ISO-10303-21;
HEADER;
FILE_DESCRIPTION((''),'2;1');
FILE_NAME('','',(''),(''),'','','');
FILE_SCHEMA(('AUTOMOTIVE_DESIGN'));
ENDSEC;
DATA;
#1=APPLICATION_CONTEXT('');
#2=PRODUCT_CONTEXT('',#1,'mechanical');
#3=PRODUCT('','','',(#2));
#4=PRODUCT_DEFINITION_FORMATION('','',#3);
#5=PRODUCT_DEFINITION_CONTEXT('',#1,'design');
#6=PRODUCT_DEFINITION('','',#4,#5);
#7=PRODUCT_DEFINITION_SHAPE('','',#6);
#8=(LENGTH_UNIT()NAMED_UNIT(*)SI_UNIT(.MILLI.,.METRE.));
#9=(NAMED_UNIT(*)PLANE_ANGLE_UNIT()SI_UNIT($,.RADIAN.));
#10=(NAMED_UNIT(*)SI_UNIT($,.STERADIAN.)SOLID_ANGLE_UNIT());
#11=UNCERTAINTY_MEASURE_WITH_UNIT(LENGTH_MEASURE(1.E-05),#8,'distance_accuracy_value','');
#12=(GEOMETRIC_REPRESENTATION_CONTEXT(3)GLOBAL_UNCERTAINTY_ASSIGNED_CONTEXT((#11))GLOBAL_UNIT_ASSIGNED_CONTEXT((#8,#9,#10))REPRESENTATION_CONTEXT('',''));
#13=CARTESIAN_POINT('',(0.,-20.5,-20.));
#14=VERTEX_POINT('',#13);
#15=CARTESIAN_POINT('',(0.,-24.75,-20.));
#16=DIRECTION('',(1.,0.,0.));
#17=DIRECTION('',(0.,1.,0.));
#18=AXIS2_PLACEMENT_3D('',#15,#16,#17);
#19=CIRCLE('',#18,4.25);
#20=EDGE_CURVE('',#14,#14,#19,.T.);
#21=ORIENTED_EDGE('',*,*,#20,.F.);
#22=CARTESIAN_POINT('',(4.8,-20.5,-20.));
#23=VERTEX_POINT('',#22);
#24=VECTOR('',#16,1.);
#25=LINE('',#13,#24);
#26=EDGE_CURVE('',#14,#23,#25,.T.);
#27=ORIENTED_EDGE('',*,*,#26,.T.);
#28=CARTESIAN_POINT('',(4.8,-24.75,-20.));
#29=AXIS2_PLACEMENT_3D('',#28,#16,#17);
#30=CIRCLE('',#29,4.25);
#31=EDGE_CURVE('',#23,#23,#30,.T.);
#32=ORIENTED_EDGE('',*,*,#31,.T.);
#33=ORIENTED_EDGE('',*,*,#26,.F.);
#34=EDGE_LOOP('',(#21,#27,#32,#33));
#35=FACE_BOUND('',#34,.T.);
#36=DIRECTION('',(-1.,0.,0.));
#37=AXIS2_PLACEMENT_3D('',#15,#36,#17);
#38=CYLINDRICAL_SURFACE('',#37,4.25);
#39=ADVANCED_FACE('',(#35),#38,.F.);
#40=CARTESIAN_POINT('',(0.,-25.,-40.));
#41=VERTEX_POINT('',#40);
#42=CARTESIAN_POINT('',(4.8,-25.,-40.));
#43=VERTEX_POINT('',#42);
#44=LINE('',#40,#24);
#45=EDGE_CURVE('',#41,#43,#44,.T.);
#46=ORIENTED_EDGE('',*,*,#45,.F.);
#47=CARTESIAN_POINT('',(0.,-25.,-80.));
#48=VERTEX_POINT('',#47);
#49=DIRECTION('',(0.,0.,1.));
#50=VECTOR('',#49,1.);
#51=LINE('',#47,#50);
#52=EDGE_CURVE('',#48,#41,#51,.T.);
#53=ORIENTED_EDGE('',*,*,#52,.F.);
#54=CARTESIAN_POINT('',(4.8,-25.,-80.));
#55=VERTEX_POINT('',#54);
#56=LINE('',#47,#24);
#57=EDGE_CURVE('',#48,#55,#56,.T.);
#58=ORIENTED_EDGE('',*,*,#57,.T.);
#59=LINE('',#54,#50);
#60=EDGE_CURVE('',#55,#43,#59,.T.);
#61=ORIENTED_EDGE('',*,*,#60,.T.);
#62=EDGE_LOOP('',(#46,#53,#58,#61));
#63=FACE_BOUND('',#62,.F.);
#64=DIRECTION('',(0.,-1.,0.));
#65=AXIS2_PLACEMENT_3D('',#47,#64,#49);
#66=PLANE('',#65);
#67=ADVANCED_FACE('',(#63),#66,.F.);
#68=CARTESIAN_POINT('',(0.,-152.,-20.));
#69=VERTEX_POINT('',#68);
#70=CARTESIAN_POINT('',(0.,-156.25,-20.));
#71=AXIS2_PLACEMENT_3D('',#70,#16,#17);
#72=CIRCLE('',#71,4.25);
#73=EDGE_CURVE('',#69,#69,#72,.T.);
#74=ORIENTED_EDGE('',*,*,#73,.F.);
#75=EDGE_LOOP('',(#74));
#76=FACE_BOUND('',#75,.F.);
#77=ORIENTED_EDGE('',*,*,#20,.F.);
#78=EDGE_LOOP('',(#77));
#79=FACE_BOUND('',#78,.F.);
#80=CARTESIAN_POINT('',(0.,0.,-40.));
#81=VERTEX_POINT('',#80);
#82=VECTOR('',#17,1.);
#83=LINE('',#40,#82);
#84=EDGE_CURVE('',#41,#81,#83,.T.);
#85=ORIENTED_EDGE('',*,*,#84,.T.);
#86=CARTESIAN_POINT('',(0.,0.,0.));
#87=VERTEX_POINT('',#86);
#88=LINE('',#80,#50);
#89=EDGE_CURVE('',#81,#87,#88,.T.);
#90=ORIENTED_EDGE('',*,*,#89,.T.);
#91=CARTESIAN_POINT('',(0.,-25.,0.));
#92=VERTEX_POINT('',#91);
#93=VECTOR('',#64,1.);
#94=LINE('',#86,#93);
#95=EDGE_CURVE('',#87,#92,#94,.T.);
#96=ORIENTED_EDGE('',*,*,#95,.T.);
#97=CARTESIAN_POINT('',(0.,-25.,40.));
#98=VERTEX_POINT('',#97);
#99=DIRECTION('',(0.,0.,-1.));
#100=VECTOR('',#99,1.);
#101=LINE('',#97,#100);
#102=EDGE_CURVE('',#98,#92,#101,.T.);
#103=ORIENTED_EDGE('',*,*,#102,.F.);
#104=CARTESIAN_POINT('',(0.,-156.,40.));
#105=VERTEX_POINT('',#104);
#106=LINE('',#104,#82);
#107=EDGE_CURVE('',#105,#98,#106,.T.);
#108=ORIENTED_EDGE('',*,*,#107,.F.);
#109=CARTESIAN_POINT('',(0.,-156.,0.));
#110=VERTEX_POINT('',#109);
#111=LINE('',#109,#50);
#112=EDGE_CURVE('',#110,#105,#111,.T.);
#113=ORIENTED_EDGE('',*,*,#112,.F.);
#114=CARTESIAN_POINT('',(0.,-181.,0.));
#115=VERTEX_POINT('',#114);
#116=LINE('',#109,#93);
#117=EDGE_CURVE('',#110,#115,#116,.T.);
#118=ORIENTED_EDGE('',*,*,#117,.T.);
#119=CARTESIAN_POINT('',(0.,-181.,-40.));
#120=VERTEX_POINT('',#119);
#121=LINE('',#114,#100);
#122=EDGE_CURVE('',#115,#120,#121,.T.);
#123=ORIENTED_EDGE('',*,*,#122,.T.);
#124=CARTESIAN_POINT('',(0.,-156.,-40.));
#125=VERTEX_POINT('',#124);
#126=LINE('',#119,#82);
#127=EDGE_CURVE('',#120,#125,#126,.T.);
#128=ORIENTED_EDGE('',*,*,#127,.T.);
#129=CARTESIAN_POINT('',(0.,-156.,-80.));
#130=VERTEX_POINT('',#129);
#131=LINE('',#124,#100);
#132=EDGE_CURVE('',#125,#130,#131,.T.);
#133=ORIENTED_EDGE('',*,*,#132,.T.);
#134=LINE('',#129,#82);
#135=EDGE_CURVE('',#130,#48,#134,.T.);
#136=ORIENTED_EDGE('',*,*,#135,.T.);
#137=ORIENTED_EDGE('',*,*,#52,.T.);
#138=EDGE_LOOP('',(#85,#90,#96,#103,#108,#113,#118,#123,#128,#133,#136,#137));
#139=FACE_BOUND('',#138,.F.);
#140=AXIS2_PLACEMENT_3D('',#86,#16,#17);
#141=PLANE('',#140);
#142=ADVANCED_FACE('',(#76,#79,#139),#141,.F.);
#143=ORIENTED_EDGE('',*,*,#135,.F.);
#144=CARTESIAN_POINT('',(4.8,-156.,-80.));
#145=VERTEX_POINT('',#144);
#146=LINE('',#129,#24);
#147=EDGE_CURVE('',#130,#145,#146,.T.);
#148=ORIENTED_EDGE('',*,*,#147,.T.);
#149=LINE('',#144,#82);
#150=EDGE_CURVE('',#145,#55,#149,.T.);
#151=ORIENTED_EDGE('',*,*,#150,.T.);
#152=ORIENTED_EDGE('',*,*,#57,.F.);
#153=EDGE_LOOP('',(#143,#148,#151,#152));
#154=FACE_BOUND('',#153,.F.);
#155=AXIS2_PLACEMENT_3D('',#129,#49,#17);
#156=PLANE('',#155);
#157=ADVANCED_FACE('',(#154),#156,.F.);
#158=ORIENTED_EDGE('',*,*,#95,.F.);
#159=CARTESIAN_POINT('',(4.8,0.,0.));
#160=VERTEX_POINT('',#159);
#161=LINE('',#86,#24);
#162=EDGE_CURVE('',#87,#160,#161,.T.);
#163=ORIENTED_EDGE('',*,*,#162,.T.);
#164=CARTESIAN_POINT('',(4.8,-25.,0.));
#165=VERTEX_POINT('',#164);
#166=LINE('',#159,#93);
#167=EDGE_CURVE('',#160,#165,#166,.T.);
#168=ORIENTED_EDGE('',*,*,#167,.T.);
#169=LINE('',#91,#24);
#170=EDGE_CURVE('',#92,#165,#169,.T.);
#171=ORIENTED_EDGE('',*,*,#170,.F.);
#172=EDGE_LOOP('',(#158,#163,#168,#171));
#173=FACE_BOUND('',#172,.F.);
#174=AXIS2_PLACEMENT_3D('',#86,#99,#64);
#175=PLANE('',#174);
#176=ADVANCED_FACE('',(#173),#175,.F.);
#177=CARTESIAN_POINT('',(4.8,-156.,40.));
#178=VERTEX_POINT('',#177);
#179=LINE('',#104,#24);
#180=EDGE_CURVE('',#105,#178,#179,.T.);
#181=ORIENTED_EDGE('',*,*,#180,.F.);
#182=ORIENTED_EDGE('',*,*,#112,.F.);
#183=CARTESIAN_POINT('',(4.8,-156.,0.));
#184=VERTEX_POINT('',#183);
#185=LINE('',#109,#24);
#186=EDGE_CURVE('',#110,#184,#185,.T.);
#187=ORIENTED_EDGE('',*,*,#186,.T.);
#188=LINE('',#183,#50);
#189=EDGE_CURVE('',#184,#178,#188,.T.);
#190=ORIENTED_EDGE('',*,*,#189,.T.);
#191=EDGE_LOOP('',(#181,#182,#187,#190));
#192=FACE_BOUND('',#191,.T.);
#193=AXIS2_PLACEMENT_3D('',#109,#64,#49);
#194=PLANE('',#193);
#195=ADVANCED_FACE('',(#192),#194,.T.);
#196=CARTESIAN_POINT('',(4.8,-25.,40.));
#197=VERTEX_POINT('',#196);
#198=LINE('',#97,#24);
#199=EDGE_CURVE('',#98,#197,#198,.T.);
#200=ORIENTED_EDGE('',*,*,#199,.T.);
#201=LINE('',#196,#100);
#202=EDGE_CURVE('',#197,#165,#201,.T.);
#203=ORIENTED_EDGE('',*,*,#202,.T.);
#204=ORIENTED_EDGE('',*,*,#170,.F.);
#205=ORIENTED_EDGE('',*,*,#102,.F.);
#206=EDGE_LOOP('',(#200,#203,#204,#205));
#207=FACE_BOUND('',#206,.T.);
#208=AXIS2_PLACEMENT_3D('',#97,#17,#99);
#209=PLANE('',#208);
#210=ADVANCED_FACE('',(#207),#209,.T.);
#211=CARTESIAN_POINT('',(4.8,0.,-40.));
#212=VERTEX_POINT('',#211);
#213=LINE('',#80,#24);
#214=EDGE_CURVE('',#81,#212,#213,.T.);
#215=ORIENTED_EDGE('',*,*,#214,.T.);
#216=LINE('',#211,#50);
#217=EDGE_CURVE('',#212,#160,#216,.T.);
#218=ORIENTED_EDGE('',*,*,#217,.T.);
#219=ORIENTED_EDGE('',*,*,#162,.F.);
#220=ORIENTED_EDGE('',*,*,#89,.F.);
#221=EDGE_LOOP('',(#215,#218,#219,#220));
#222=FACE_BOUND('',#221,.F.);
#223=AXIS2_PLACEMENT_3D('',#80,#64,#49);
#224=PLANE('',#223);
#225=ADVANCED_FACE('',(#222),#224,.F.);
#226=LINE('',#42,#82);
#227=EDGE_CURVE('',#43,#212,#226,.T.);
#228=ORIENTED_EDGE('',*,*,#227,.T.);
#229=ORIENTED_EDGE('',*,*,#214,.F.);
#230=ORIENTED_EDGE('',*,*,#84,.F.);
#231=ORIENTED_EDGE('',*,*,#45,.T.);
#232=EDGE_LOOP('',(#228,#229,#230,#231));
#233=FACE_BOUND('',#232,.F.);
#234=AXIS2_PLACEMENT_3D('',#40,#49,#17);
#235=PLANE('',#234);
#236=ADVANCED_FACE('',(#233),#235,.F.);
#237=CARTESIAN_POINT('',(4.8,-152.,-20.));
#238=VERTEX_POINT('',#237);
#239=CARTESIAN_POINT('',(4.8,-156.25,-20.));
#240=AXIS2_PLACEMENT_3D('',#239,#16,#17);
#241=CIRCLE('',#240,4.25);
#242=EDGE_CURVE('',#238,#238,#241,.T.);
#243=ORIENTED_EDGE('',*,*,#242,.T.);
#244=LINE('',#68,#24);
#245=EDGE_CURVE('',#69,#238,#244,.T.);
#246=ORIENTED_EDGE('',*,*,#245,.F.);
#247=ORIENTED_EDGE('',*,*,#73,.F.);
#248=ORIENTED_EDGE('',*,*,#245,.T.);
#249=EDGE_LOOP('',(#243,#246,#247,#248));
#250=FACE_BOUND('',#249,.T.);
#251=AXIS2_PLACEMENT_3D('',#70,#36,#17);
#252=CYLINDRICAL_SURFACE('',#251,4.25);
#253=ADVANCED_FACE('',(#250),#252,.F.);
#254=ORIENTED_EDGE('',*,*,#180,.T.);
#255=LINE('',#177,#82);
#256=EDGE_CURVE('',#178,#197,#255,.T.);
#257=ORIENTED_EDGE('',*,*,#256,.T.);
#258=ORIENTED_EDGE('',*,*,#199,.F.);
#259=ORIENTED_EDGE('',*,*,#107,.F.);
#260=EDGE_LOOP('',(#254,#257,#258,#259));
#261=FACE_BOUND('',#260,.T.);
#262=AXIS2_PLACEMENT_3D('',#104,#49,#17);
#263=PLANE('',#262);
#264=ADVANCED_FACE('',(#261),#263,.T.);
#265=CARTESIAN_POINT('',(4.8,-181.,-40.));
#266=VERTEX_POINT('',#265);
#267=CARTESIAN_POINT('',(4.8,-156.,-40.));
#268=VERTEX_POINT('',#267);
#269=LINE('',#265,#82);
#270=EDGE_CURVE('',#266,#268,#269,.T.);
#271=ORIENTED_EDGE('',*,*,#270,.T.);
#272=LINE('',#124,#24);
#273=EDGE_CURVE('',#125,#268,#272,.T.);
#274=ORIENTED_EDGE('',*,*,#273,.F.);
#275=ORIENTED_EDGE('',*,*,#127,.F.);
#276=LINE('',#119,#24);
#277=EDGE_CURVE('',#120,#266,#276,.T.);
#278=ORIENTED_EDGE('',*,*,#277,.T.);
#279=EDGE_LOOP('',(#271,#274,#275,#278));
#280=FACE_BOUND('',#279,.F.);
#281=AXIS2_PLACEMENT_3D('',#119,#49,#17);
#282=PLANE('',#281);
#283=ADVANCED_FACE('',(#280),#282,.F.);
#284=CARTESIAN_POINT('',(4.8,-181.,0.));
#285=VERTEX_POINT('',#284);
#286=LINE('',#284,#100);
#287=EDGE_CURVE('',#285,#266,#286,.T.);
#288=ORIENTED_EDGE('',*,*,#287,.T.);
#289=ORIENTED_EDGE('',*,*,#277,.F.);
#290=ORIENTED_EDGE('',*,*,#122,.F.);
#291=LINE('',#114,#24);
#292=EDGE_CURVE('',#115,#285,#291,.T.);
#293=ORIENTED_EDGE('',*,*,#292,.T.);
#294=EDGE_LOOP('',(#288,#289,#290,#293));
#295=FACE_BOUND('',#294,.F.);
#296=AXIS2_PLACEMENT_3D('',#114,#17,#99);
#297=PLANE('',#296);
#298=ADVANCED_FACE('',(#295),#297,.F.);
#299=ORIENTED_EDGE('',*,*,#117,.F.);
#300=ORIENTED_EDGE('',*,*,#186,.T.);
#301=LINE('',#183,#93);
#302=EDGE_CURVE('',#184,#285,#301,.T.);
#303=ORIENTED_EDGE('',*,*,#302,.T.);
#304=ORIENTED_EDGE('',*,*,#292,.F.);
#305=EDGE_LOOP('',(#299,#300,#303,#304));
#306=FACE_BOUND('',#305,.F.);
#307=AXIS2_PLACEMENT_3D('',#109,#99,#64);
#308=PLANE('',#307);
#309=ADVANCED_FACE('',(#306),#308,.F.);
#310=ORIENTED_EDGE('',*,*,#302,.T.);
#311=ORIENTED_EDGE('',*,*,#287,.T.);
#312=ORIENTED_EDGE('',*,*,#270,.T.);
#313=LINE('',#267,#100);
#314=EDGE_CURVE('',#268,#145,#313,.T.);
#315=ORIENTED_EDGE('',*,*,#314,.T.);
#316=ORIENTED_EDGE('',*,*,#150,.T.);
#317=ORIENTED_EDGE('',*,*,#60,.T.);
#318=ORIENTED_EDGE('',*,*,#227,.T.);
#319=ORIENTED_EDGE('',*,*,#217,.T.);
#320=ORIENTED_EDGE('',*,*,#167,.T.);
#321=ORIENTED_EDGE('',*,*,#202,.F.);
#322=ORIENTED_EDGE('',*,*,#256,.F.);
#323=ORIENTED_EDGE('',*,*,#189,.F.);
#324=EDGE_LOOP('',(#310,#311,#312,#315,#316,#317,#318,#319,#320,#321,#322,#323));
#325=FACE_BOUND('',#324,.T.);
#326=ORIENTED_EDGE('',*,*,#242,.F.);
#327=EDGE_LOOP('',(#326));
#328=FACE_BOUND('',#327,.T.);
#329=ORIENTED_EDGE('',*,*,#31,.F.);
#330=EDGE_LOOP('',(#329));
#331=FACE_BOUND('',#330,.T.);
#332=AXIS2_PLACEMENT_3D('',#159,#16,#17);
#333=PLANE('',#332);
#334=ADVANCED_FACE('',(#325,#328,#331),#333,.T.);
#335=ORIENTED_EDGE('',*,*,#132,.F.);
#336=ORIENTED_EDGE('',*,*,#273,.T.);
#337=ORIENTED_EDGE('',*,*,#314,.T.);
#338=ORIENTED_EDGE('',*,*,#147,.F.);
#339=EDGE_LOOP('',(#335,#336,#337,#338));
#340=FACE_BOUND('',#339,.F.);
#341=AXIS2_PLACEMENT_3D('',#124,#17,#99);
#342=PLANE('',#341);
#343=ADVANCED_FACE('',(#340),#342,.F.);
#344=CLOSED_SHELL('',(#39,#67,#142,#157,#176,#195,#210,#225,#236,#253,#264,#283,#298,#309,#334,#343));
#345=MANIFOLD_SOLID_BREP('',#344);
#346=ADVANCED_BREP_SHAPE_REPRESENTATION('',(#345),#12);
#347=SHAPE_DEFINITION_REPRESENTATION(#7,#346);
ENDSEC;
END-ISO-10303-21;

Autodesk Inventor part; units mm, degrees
ref_plane "YZ Plane" through (0, 0, 0) normal (1, 0, 0) x (0, 1, 0)
ref_plane "XZ Plane" through (0, 0, 0) normal (0, 1, 0) x (-1, 0, 0)
ref_plane "XY Plane" through (0, 0, 0) normal (0, 0, 1) x (1, 0, 0)
sketch "Sketch1" plane through (0, 0, 0) normal (1, 0, 0) x (0, 1, 0)
  line L0 (-181, 0) -> (-181, -40)
  line L1 (0, -40) -> (0, 0)
  line L2 (-156, -40) -> (-156, -80)
  line L3 (-156, -80) -> (-25, -80)
  line L4 (-25, -80) -> (-25, -40)
  line L5 (-156, 0) -> (-156, 40)
  line L6 (-156, 40) -> (-25, 40)
  line L7 (-25, 40) -> (-25, 0)
  line L8 (0, 0) -> (-25, 0)
  line L9 (-156, 0) -> (-181, 0)
  line L10 (-181, -40) -> (-156, -40)
  line L11 (-25, -40) -> (0, -40)
  circle A0 centre (-24.75, -20) radius 4.25
  circle A1 centre (-156.25, -20) radius 4.25
  dimension "d8" = 90
  dimension "d9" = 25
  dimension "d10" = 156
  dimension "d11" = 181
  dimension "d12" = 40
  dimension "d13" = 40
  dimension "d14" = 80
  dimension "d15" = 0
  dimension "d16" = 40
  dimension "d17" = 131
  dimension "d18" = 25
  dimension "d21" = 4.25
  dimension "d22" = 20
  dimension "d24" = 4.25
  dimension "d25" = 20
  dimension "d29" = 131.5
  dimension "d30" = 24.75
extrude "Extrusion2" add sketch "Sketch1" along normal blind 4.8
properties part number "Backing Plate"
